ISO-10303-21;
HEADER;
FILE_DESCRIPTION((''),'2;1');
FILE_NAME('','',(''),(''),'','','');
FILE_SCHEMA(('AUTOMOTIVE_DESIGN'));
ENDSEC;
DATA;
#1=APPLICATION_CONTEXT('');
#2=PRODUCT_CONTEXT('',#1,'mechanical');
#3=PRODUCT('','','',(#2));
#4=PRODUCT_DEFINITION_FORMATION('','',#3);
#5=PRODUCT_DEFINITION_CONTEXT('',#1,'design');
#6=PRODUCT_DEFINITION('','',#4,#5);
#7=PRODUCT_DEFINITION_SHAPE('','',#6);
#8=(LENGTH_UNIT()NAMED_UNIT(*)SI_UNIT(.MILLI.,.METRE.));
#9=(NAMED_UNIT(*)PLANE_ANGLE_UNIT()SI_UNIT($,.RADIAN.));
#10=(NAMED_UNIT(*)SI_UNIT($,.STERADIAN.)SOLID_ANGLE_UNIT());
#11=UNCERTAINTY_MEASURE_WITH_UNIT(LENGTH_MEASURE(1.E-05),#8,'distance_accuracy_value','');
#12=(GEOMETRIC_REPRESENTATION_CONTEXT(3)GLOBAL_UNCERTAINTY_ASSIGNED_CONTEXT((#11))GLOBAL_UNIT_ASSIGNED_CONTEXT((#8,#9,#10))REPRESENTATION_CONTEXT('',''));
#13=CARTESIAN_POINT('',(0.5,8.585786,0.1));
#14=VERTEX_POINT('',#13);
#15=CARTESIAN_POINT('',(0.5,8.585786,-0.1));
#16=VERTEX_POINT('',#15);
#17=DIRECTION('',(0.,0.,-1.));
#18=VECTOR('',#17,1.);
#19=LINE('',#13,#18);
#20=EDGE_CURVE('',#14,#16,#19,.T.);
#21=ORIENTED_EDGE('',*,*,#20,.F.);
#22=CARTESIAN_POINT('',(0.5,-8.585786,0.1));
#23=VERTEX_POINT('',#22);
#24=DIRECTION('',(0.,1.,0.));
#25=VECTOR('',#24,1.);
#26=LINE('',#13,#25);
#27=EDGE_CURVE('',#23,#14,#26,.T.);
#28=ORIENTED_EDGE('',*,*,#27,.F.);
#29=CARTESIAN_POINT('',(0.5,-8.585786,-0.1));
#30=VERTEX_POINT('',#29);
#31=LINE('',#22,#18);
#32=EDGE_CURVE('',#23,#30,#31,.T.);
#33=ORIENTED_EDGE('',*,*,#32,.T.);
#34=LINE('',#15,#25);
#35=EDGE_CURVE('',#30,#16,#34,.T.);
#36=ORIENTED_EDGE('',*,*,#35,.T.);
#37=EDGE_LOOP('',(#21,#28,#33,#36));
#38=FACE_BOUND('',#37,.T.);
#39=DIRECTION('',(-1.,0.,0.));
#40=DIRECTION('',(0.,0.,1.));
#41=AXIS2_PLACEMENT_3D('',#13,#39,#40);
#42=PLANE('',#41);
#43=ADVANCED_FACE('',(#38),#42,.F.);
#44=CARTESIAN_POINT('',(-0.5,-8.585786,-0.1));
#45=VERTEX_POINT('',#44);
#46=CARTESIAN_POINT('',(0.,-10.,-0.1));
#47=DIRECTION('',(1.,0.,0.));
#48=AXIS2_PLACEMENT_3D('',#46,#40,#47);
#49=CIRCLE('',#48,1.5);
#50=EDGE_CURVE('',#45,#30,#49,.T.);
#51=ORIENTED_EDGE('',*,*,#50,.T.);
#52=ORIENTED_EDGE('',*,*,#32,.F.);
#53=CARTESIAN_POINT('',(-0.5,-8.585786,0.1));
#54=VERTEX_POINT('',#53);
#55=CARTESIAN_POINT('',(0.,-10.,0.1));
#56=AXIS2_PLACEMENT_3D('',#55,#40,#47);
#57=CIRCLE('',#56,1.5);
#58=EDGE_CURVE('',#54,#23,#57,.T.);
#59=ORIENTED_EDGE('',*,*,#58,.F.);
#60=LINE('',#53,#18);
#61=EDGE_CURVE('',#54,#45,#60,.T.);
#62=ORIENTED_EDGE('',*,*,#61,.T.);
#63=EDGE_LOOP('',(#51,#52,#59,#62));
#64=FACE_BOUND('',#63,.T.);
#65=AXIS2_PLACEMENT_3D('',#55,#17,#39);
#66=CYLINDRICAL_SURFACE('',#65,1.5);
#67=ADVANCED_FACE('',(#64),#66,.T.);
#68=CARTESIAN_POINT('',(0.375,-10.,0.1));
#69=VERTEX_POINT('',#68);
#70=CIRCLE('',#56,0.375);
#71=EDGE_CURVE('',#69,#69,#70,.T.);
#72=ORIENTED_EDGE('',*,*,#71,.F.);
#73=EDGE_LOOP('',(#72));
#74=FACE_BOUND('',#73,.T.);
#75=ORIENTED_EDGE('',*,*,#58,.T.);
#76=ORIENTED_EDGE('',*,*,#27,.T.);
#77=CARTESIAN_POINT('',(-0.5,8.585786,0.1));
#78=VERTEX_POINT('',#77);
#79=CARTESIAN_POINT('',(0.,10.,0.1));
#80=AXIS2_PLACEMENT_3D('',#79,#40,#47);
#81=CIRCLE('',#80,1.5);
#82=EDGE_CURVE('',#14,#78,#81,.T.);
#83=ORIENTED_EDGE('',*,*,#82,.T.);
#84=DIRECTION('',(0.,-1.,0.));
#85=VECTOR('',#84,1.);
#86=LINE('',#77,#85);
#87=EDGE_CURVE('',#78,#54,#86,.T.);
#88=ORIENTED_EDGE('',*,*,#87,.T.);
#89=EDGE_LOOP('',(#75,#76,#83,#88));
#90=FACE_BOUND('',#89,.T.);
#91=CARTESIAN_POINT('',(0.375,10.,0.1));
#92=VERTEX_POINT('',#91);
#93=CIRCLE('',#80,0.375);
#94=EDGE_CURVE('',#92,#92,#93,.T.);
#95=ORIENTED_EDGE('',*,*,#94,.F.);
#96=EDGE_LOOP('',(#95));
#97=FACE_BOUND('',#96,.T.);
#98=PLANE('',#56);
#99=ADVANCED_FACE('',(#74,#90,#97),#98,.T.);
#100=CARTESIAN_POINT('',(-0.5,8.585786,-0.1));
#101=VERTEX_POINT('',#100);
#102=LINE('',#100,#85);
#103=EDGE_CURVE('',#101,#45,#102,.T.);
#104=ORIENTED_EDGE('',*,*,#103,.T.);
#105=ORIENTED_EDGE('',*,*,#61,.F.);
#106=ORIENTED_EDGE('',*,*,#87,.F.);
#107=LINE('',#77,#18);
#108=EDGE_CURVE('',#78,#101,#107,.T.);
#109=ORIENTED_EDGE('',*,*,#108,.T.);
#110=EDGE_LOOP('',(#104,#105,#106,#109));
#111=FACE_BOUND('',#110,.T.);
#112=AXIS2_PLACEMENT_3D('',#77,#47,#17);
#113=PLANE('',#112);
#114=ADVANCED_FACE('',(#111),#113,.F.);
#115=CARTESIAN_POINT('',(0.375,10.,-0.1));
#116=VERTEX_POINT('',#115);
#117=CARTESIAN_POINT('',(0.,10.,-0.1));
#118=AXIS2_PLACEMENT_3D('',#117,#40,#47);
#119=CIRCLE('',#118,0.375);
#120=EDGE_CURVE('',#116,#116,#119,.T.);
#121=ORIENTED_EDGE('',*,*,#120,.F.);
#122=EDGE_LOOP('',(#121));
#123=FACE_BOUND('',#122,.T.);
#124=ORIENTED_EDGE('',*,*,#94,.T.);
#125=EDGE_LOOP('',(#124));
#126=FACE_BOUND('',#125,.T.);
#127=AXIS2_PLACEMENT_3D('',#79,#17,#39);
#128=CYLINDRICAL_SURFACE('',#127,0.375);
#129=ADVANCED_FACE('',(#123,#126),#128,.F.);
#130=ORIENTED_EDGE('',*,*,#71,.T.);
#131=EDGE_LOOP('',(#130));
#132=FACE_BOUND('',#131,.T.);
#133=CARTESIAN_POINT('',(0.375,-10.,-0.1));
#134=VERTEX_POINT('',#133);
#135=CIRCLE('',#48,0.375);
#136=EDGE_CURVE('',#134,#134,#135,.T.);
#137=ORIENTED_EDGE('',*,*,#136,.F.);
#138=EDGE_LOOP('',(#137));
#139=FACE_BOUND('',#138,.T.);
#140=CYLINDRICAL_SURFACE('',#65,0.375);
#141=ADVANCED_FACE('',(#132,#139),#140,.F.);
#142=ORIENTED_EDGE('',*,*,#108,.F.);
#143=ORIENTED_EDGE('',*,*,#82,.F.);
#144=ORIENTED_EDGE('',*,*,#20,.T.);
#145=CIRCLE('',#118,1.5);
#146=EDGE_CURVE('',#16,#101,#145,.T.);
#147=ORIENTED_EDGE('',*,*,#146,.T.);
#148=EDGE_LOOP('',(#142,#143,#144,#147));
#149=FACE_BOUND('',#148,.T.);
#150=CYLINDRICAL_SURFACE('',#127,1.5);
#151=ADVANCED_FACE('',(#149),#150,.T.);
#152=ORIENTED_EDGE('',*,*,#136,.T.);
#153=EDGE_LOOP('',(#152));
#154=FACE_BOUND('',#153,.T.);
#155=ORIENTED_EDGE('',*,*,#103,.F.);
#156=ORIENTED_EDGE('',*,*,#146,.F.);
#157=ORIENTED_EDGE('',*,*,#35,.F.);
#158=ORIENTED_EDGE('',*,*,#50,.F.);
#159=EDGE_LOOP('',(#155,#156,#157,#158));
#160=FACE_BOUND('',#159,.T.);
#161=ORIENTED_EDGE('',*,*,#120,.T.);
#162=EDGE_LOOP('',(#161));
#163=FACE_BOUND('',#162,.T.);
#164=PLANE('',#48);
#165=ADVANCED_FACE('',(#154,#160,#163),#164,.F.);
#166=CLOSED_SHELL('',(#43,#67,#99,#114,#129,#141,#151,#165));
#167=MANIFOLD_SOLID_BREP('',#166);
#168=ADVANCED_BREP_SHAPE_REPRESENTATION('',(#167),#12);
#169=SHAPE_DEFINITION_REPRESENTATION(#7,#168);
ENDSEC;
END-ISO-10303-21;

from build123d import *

# Parameters (mm, degrees)
SKETCH1_R           = 0.375
BOSS_EXTRUDE1_DEPTH = 0.1


with BuildPart() as part:
    # Sketch1 → Boss-Extrude1 (new body, symmetric)
    with BuildSketch(Plane.XY):
        with BuildLine():
            Line((-0.5, 8.585786438), (-0.5, -8.585786438))
            ThreePointArc((-0.5, -8.585786438), (0, -11.5), (0.5, -8.585786438))
            Line((0.5, -8.585786438), (0.5, 8.585786438))
            ThreePointArc((0.5, 8.585786438), (0, 11.5), (-0.5, 8.585786438))
        make_face()
        with Locations((0, 10)):
            Circle(SKETCH1_R, mode=Mode.SUBTRACT)
        with Locations((0, -10)):
            Circle(SKETCH1_R, mode=Mode.SUBTRACT)
    extrude(amount=BOSS_EXTRUDE1_DEPTH, both=True)


solid = part.part
